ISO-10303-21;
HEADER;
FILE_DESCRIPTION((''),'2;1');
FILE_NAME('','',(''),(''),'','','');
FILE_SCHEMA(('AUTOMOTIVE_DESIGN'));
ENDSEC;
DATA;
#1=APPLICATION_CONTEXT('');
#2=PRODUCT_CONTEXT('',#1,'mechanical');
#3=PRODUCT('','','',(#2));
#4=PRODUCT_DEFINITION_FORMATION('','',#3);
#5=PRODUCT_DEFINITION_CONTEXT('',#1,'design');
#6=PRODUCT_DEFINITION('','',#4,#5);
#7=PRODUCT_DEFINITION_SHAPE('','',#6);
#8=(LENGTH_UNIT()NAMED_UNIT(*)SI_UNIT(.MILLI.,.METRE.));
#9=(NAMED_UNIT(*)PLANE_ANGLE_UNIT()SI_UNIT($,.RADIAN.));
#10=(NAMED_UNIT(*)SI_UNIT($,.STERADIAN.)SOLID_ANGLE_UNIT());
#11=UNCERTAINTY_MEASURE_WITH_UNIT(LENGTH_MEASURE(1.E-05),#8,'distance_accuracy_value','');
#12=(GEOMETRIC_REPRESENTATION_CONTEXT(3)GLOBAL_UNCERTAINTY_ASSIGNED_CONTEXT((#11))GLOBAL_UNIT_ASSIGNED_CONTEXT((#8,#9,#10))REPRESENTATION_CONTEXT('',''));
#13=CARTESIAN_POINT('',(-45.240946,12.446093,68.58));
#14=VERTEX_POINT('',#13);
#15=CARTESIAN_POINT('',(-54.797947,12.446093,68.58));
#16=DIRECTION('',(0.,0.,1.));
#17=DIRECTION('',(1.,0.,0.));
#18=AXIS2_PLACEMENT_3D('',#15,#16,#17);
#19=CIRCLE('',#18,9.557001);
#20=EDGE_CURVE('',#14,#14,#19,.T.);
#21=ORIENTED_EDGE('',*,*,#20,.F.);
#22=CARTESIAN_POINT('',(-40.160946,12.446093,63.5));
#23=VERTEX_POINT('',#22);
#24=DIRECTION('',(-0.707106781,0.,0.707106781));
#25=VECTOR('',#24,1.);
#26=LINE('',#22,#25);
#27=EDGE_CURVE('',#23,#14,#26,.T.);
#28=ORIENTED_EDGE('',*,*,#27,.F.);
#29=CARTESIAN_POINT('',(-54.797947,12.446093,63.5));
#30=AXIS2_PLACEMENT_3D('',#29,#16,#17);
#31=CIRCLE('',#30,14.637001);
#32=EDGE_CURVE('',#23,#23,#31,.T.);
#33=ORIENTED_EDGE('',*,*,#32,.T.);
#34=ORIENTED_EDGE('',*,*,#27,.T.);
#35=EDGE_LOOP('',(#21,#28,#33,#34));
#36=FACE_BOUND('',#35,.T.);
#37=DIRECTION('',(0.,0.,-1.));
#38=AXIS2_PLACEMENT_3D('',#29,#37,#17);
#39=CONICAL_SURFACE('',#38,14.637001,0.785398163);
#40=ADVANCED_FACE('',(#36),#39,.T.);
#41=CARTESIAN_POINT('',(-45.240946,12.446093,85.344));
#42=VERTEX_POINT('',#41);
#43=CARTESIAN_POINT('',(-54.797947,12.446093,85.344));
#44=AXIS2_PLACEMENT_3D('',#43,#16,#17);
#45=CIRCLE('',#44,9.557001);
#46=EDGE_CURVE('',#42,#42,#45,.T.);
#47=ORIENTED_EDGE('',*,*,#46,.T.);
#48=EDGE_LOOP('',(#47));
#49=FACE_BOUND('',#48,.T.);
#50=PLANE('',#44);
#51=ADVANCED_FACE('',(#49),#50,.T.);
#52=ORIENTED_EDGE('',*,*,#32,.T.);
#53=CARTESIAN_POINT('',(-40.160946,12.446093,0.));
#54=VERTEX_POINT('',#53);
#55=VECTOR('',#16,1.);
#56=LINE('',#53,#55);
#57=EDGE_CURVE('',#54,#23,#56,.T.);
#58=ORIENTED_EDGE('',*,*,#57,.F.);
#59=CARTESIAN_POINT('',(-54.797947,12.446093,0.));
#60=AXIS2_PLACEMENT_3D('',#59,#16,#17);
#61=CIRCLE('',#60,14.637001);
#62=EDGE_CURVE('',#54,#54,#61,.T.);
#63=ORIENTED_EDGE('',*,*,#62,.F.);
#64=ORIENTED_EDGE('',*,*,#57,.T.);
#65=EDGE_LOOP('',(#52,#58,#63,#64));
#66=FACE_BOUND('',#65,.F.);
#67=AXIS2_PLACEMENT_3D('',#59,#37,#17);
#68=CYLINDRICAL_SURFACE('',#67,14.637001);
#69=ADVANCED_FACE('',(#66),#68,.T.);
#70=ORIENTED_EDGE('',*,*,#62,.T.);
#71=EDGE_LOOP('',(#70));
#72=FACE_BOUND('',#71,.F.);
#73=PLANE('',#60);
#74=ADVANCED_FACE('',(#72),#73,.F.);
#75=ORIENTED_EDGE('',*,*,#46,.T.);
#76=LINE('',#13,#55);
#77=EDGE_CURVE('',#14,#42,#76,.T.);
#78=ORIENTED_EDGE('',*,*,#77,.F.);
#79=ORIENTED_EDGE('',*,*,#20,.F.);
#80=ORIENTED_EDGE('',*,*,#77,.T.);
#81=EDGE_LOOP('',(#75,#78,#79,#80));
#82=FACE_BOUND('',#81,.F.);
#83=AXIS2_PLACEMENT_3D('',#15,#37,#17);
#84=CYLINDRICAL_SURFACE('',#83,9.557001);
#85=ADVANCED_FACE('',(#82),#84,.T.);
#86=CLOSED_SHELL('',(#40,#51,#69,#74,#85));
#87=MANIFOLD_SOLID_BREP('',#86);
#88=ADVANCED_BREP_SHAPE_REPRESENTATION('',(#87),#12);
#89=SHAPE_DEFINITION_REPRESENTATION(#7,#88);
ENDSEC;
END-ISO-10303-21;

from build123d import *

# Parameters (mm, degrees)
F0_R      = 14.637001
F1_DEPTH  = 68.58
F2_SIZE   = 5.08
F1_FACE_R = 9.557001
F3_DEPTH  = 16.764


with BuildPart() as f1:
    # F0 (on Top) → F1 (new body)
    with BuildSketch(Plane.XY):
        with Locations((-54.797947, 12.446093)):
            Circle(F0_R)
    extrude(amount=F1_DEPTH)

    # F2
    f2_edges = [f1.edges().sort_by_distance(p)[0] for p in [
        (-69.434948, 12.446093, 68.58),
    ]]
    chamfer(f2_edges, length=F2_SIZE)

    # F1_face (on face) → F3 (join)
    with BuildSketch(Plane(origin=(-54.797947, 12.446093, 68.58), x_dir=(1, 0, 0), z_dir=(0, 0, 1))):
        Circle(F1_FACE_R)
    extrude(amount=F3_DEPTH)


solid = f1.part
